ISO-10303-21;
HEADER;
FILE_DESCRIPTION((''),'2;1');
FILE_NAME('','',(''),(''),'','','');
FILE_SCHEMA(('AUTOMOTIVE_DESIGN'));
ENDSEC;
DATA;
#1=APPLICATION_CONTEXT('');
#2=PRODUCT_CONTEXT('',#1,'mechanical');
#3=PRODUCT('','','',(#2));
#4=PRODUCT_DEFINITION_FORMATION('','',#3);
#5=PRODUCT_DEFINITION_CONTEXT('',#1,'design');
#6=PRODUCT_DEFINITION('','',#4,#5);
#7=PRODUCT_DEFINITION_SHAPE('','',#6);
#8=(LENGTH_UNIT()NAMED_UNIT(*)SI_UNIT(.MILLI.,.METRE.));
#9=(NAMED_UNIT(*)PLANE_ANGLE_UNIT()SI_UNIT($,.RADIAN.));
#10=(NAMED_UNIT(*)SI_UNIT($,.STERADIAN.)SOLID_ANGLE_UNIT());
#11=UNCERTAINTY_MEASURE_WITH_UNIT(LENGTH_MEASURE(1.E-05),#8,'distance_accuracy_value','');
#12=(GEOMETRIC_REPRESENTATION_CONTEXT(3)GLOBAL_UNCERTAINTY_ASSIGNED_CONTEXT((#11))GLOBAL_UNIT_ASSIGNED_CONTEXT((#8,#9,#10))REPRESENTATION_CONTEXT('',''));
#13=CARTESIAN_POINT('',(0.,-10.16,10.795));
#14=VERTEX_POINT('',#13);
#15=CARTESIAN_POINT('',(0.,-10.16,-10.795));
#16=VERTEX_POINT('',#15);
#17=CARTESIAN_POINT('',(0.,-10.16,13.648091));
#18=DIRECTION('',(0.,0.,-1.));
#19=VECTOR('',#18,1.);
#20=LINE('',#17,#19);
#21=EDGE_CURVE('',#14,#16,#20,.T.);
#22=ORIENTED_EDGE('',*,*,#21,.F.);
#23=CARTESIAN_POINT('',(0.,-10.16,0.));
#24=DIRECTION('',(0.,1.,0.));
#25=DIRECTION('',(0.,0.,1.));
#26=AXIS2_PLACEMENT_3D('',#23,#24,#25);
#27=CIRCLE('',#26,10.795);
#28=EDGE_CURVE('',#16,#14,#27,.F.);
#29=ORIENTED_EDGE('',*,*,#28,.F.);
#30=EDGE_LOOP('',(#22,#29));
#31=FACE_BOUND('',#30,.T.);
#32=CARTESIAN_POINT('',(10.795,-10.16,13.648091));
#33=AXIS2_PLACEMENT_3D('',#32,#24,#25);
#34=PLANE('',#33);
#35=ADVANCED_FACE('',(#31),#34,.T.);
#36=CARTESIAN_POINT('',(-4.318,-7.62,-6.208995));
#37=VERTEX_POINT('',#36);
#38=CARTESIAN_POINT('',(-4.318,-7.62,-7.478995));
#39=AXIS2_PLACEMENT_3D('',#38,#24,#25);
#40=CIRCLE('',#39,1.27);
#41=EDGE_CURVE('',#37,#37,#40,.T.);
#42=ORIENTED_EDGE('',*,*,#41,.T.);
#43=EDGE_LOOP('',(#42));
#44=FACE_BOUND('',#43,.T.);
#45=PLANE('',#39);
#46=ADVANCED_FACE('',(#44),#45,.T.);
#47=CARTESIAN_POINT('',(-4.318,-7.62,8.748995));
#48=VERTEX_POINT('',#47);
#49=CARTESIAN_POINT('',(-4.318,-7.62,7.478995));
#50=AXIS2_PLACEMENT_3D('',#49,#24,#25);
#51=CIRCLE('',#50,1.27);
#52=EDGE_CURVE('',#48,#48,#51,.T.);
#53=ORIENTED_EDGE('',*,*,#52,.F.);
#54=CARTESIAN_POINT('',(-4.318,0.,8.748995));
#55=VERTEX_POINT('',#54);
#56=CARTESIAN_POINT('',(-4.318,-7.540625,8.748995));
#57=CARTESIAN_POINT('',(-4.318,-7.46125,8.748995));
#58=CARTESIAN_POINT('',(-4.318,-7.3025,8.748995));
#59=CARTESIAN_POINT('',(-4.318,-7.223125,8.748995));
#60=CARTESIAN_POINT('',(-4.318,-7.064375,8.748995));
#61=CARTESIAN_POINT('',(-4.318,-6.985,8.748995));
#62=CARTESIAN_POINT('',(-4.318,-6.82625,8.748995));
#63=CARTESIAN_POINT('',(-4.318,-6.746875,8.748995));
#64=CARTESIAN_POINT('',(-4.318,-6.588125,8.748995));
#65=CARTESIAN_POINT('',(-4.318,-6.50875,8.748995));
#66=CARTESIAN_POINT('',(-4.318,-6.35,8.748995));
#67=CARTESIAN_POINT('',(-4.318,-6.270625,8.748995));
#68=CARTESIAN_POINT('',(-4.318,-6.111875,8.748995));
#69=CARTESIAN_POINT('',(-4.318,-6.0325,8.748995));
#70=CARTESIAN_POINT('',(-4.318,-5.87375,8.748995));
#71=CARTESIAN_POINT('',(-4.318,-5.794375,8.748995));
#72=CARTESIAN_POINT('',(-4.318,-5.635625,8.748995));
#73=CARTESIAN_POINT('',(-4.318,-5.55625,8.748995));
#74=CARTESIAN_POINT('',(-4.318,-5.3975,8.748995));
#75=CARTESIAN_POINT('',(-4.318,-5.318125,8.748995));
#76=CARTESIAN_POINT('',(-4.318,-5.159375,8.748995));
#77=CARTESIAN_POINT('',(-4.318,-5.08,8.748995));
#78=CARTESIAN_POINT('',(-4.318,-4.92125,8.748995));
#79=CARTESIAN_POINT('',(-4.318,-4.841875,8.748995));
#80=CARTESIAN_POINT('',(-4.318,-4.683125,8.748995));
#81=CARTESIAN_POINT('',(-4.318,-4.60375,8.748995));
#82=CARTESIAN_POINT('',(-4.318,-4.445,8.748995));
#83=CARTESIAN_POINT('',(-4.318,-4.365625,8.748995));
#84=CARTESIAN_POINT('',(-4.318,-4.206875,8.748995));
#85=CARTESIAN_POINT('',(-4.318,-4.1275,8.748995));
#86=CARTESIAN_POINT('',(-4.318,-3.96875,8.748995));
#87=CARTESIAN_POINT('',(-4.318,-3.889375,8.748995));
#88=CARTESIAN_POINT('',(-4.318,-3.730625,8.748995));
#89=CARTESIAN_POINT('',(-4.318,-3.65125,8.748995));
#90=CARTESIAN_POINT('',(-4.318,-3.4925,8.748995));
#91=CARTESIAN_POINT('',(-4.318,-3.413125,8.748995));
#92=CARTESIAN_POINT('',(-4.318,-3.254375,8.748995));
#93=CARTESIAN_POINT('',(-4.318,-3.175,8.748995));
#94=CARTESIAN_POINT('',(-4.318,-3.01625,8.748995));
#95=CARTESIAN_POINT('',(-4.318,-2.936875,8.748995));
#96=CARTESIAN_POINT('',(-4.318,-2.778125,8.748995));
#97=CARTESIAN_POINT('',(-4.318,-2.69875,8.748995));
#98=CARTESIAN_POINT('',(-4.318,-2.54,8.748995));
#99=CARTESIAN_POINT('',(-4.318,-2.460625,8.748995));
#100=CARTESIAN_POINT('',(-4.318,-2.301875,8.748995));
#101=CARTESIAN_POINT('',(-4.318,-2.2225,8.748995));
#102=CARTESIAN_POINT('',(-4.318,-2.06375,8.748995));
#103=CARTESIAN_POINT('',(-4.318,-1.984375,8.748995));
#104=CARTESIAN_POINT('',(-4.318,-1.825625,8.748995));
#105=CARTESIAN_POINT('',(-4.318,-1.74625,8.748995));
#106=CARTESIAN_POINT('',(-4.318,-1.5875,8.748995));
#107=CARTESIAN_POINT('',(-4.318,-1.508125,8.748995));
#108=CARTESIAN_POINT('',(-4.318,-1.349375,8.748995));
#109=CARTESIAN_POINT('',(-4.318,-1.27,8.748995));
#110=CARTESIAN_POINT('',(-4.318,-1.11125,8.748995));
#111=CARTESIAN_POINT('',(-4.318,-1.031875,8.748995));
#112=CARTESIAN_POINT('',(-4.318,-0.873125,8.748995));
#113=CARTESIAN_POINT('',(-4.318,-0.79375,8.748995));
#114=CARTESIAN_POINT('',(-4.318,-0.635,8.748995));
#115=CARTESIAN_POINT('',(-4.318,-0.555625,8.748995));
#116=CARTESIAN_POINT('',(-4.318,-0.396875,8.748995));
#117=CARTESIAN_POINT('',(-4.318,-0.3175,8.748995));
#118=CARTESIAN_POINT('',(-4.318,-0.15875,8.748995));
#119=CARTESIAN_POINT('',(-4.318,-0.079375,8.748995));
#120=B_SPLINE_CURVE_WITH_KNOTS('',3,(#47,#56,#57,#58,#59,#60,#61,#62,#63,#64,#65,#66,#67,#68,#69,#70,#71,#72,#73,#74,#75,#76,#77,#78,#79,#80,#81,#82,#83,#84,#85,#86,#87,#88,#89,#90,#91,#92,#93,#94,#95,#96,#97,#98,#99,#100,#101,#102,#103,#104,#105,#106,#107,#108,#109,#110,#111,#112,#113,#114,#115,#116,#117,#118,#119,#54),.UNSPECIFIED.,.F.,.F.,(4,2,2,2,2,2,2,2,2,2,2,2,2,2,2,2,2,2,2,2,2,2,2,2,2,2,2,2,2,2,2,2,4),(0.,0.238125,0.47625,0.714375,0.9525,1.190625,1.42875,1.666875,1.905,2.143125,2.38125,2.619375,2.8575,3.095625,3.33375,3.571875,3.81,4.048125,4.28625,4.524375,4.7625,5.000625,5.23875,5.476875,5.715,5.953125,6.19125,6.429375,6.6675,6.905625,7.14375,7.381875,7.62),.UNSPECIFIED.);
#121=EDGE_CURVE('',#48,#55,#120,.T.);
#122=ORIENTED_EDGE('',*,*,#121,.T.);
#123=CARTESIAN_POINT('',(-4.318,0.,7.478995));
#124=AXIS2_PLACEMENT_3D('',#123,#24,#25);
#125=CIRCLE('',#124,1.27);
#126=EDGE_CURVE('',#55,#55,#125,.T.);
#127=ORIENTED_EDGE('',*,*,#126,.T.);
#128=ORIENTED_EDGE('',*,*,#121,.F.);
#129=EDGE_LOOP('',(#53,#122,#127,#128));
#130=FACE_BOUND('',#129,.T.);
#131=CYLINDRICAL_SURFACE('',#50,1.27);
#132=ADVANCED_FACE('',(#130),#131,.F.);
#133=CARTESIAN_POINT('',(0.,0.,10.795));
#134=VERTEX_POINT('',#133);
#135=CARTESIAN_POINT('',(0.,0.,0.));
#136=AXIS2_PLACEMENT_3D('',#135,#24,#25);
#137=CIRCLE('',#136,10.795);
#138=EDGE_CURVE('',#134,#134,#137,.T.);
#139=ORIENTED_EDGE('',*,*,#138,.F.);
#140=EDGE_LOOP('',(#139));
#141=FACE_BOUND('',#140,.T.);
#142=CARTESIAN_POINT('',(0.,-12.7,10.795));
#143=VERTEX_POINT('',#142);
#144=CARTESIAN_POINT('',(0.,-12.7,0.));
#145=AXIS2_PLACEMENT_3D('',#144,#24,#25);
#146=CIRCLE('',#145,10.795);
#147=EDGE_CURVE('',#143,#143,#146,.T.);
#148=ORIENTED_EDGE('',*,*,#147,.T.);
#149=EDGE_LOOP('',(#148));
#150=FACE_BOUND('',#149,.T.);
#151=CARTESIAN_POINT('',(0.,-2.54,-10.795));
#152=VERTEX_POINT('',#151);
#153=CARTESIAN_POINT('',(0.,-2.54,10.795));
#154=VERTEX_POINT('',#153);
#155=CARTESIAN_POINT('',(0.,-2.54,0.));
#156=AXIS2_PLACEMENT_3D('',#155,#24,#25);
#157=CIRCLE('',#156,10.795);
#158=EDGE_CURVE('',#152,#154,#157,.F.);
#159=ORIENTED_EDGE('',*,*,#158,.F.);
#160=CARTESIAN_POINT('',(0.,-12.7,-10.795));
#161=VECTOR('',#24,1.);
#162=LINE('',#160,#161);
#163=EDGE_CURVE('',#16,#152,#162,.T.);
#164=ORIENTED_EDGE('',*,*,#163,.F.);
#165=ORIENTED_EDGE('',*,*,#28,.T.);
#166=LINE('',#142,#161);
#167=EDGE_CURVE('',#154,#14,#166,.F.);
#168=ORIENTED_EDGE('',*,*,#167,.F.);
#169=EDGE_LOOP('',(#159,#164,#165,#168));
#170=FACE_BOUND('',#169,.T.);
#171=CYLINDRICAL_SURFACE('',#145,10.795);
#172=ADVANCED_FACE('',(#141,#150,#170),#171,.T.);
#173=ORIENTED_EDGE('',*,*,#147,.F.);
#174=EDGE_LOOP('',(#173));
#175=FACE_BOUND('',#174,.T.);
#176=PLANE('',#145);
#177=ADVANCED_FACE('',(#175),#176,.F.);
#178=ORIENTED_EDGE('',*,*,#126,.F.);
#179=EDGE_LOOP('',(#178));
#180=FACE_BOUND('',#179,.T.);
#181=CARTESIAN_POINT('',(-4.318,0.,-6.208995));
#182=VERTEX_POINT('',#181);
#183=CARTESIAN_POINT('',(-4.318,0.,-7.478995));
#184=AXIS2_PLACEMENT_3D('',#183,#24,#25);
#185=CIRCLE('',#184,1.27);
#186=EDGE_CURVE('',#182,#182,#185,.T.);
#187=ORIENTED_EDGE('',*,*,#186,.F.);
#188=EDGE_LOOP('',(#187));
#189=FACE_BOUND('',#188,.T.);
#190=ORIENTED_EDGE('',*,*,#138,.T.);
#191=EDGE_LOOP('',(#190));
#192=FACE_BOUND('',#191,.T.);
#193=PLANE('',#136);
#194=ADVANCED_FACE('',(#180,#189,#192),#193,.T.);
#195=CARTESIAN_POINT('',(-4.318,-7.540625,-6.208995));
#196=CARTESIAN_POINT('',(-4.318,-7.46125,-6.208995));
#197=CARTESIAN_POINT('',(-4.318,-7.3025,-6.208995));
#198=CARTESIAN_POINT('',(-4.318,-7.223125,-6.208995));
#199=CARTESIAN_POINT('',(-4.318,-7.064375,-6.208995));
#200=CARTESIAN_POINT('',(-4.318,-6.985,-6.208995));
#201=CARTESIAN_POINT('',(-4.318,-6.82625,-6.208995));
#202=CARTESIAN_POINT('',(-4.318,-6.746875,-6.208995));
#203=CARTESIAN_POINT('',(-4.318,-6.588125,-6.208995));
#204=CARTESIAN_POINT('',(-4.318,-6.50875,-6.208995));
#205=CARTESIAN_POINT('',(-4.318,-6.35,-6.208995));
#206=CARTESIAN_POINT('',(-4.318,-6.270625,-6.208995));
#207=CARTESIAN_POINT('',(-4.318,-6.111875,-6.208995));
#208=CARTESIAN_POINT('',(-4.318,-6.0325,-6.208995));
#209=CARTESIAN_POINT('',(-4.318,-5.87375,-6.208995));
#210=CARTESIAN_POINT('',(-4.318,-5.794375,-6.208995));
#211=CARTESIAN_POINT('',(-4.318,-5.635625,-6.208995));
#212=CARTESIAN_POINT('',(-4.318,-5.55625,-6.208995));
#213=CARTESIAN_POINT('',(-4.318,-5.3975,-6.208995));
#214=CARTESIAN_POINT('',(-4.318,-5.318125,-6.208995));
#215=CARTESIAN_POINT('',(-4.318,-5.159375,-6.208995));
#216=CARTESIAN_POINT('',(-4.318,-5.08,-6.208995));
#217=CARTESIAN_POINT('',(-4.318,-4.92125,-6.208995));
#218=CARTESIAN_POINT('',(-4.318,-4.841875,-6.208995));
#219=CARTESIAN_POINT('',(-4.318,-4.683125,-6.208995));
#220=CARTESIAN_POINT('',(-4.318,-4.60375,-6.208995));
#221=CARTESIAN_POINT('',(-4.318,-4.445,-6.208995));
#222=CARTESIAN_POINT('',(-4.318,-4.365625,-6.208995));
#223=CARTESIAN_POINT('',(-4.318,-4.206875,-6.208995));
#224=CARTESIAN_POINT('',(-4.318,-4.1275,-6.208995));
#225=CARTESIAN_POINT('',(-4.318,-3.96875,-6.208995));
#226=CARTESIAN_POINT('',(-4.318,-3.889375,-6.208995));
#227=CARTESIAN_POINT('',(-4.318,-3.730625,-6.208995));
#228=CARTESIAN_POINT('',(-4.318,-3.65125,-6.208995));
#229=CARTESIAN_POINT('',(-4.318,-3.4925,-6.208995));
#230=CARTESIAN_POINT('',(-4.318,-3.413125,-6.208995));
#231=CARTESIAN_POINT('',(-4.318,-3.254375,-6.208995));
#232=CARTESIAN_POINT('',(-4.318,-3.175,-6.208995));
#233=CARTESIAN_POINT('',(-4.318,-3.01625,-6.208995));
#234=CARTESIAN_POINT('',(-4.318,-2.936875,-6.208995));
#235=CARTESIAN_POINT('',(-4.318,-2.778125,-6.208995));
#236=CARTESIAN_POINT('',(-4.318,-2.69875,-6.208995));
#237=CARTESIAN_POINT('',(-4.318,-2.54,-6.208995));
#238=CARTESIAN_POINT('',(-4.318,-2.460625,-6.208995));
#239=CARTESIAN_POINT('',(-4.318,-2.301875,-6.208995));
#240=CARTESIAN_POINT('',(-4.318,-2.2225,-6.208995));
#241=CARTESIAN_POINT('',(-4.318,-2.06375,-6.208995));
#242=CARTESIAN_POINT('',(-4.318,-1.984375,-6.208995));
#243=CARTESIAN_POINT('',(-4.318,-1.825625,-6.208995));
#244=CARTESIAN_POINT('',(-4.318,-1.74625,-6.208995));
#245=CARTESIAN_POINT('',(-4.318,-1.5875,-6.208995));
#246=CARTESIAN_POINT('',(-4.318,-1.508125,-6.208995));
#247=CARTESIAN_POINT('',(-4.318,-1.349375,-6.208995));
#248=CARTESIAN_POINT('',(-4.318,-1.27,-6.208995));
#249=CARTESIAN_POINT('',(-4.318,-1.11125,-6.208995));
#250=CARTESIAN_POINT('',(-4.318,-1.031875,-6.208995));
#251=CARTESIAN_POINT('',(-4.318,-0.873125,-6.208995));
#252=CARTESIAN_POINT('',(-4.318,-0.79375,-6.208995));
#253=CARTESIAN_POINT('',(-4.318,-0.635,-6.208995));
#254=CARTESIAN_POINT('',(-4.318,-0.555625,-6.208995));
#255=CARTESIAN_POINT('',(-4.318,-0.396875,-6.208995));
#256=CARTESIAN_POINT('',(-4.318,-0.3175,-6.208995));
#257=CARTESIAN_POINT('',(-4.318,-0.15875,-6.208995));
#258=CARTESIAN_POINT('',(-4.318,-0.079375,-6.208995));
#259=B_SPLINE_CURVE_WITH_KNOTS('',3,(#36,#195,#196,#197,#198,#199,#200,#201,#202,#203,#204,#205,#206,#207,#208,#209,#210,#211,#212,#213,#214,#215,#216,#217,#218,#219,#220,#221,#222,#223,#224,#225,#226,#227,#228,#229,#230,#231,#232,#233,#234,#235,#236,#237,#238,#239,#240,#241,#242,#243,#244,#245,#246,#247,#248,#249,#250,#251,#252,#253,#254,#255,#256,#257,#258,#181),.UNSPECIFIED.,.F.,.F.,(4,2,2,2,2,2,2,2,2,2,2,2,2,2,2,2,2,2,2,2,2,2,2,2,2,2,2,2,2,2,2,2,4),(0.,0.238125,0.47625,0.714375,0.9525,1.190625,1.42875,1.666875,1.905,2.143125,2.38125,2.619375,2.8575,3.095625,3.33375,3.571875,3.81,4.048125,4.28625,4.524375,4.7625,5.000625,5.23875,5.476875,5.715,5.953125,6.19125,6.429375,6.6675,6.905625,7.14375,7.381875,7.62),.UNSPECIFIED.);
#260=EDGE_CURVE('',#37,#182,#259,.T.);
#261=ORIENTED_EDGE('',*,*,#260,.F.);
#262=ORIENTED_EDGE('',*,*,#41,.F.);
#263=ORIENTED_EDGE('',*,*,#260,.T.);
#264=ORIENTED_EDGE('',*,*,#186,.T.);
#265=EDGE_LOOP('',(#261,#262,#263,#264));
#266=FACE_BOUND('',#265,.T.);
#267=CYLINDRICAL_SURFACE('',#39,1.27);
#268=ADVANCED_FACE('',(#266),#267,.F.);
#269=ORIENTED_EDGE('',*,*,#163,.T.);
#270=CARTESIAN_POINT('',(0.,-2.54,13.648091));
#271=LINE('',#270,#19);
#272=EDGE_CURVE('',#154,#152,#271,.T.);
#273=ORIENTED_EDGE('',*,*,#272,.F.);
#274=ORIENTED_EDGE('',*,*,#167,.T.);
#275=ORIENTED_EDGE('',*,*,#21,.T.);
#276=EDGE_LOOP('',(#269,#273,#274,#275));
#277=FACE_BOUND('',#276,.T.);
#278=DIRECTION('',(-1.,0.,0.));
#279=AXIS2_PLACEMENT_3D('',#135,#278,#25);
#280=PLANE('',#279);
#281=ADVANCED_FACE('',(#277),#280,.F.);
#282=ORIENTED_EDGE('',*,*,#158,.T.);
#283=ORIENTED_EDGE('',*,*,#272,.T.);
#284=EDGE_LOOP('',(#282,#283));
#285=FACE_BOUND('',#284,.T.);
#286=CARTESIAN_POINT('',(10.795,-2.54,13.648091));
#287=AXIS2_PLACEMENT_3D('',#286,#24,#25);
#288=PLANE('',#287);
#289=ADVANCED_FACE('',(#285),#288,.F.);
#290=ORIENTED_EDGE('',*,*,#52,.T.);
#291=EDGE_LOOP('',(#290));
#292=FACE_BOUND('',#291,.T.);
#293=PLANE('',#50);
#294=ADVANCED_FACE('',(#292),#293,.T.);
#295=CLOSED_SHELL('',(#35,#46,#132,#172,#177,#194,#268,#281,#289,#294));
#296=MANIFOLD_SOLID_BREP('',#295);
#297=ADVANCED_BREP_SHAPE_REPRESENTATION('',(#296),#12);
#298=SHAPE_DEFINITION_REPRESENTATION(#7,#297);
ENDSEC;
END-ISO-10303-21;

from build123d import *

# Parameters (mm, degrees)
SKETCH2_R           = 10.795
BOSS_EXTRUDE1_DEPTH = 12.7
SKETCH3_W           = 25.439299018
SKETCH3_H           = 7.62
CUT_EXTRUDE1_DEPTH  = 20.858349629
SKETCH5_R           = 1.27
CUT_EXTRUDE2_DEPTH  = 7.62


with BuildPart() as part:
    # Sketch2 → Boss-Extrude1 (new body)
    with BuildSketch(Plane(origin=(0, 0, 0), x_dir=(1, 0, 0), z_dir=(0, 1, 0))):
        with Locations(Location((0, 0, 0), (0, 0, 270))):
            Circle(SKETCH2_R)
    extrude(amount=-BOSS_EXTRUDE1_DEPTH)

    # Sketch3 → Cut-Extrude1 (cut, through all)
    with BuildSketch(Plane(origin=(0, 0, 0), x_dir=(0, 0, -1), z_dir=(1, 0, 0))):
        with Locations((-0.92844157, -6.35)):
            Rectangle(SKETCH3_W, SKETCH3_H)
    extrude(amount=CUT_EXTRUDE1_DEPTH, mode=Mode.SUBTRACT)

    # Sketch5 → Cut-Extrude2 (cut)
    with BuildSketch(Plane(origin=(0, 0, 0), x_dir=(1, 0, 0), z_dir=(0, 1, 0))):
        with Locations(Location((-4.318, -7.478995387, 0), (0, 0, 270))):
            Circle(SKETCH5_R)
        with Locations(Location((-4.318, 7.478995387, 0), (0, 0, 270))):
            Circle(SKETCH5_R)
    extrude(amount=-CUT_EXTRUDE2_DEPTH, mode=Mode.SUBTRACT)


solid = part.part
